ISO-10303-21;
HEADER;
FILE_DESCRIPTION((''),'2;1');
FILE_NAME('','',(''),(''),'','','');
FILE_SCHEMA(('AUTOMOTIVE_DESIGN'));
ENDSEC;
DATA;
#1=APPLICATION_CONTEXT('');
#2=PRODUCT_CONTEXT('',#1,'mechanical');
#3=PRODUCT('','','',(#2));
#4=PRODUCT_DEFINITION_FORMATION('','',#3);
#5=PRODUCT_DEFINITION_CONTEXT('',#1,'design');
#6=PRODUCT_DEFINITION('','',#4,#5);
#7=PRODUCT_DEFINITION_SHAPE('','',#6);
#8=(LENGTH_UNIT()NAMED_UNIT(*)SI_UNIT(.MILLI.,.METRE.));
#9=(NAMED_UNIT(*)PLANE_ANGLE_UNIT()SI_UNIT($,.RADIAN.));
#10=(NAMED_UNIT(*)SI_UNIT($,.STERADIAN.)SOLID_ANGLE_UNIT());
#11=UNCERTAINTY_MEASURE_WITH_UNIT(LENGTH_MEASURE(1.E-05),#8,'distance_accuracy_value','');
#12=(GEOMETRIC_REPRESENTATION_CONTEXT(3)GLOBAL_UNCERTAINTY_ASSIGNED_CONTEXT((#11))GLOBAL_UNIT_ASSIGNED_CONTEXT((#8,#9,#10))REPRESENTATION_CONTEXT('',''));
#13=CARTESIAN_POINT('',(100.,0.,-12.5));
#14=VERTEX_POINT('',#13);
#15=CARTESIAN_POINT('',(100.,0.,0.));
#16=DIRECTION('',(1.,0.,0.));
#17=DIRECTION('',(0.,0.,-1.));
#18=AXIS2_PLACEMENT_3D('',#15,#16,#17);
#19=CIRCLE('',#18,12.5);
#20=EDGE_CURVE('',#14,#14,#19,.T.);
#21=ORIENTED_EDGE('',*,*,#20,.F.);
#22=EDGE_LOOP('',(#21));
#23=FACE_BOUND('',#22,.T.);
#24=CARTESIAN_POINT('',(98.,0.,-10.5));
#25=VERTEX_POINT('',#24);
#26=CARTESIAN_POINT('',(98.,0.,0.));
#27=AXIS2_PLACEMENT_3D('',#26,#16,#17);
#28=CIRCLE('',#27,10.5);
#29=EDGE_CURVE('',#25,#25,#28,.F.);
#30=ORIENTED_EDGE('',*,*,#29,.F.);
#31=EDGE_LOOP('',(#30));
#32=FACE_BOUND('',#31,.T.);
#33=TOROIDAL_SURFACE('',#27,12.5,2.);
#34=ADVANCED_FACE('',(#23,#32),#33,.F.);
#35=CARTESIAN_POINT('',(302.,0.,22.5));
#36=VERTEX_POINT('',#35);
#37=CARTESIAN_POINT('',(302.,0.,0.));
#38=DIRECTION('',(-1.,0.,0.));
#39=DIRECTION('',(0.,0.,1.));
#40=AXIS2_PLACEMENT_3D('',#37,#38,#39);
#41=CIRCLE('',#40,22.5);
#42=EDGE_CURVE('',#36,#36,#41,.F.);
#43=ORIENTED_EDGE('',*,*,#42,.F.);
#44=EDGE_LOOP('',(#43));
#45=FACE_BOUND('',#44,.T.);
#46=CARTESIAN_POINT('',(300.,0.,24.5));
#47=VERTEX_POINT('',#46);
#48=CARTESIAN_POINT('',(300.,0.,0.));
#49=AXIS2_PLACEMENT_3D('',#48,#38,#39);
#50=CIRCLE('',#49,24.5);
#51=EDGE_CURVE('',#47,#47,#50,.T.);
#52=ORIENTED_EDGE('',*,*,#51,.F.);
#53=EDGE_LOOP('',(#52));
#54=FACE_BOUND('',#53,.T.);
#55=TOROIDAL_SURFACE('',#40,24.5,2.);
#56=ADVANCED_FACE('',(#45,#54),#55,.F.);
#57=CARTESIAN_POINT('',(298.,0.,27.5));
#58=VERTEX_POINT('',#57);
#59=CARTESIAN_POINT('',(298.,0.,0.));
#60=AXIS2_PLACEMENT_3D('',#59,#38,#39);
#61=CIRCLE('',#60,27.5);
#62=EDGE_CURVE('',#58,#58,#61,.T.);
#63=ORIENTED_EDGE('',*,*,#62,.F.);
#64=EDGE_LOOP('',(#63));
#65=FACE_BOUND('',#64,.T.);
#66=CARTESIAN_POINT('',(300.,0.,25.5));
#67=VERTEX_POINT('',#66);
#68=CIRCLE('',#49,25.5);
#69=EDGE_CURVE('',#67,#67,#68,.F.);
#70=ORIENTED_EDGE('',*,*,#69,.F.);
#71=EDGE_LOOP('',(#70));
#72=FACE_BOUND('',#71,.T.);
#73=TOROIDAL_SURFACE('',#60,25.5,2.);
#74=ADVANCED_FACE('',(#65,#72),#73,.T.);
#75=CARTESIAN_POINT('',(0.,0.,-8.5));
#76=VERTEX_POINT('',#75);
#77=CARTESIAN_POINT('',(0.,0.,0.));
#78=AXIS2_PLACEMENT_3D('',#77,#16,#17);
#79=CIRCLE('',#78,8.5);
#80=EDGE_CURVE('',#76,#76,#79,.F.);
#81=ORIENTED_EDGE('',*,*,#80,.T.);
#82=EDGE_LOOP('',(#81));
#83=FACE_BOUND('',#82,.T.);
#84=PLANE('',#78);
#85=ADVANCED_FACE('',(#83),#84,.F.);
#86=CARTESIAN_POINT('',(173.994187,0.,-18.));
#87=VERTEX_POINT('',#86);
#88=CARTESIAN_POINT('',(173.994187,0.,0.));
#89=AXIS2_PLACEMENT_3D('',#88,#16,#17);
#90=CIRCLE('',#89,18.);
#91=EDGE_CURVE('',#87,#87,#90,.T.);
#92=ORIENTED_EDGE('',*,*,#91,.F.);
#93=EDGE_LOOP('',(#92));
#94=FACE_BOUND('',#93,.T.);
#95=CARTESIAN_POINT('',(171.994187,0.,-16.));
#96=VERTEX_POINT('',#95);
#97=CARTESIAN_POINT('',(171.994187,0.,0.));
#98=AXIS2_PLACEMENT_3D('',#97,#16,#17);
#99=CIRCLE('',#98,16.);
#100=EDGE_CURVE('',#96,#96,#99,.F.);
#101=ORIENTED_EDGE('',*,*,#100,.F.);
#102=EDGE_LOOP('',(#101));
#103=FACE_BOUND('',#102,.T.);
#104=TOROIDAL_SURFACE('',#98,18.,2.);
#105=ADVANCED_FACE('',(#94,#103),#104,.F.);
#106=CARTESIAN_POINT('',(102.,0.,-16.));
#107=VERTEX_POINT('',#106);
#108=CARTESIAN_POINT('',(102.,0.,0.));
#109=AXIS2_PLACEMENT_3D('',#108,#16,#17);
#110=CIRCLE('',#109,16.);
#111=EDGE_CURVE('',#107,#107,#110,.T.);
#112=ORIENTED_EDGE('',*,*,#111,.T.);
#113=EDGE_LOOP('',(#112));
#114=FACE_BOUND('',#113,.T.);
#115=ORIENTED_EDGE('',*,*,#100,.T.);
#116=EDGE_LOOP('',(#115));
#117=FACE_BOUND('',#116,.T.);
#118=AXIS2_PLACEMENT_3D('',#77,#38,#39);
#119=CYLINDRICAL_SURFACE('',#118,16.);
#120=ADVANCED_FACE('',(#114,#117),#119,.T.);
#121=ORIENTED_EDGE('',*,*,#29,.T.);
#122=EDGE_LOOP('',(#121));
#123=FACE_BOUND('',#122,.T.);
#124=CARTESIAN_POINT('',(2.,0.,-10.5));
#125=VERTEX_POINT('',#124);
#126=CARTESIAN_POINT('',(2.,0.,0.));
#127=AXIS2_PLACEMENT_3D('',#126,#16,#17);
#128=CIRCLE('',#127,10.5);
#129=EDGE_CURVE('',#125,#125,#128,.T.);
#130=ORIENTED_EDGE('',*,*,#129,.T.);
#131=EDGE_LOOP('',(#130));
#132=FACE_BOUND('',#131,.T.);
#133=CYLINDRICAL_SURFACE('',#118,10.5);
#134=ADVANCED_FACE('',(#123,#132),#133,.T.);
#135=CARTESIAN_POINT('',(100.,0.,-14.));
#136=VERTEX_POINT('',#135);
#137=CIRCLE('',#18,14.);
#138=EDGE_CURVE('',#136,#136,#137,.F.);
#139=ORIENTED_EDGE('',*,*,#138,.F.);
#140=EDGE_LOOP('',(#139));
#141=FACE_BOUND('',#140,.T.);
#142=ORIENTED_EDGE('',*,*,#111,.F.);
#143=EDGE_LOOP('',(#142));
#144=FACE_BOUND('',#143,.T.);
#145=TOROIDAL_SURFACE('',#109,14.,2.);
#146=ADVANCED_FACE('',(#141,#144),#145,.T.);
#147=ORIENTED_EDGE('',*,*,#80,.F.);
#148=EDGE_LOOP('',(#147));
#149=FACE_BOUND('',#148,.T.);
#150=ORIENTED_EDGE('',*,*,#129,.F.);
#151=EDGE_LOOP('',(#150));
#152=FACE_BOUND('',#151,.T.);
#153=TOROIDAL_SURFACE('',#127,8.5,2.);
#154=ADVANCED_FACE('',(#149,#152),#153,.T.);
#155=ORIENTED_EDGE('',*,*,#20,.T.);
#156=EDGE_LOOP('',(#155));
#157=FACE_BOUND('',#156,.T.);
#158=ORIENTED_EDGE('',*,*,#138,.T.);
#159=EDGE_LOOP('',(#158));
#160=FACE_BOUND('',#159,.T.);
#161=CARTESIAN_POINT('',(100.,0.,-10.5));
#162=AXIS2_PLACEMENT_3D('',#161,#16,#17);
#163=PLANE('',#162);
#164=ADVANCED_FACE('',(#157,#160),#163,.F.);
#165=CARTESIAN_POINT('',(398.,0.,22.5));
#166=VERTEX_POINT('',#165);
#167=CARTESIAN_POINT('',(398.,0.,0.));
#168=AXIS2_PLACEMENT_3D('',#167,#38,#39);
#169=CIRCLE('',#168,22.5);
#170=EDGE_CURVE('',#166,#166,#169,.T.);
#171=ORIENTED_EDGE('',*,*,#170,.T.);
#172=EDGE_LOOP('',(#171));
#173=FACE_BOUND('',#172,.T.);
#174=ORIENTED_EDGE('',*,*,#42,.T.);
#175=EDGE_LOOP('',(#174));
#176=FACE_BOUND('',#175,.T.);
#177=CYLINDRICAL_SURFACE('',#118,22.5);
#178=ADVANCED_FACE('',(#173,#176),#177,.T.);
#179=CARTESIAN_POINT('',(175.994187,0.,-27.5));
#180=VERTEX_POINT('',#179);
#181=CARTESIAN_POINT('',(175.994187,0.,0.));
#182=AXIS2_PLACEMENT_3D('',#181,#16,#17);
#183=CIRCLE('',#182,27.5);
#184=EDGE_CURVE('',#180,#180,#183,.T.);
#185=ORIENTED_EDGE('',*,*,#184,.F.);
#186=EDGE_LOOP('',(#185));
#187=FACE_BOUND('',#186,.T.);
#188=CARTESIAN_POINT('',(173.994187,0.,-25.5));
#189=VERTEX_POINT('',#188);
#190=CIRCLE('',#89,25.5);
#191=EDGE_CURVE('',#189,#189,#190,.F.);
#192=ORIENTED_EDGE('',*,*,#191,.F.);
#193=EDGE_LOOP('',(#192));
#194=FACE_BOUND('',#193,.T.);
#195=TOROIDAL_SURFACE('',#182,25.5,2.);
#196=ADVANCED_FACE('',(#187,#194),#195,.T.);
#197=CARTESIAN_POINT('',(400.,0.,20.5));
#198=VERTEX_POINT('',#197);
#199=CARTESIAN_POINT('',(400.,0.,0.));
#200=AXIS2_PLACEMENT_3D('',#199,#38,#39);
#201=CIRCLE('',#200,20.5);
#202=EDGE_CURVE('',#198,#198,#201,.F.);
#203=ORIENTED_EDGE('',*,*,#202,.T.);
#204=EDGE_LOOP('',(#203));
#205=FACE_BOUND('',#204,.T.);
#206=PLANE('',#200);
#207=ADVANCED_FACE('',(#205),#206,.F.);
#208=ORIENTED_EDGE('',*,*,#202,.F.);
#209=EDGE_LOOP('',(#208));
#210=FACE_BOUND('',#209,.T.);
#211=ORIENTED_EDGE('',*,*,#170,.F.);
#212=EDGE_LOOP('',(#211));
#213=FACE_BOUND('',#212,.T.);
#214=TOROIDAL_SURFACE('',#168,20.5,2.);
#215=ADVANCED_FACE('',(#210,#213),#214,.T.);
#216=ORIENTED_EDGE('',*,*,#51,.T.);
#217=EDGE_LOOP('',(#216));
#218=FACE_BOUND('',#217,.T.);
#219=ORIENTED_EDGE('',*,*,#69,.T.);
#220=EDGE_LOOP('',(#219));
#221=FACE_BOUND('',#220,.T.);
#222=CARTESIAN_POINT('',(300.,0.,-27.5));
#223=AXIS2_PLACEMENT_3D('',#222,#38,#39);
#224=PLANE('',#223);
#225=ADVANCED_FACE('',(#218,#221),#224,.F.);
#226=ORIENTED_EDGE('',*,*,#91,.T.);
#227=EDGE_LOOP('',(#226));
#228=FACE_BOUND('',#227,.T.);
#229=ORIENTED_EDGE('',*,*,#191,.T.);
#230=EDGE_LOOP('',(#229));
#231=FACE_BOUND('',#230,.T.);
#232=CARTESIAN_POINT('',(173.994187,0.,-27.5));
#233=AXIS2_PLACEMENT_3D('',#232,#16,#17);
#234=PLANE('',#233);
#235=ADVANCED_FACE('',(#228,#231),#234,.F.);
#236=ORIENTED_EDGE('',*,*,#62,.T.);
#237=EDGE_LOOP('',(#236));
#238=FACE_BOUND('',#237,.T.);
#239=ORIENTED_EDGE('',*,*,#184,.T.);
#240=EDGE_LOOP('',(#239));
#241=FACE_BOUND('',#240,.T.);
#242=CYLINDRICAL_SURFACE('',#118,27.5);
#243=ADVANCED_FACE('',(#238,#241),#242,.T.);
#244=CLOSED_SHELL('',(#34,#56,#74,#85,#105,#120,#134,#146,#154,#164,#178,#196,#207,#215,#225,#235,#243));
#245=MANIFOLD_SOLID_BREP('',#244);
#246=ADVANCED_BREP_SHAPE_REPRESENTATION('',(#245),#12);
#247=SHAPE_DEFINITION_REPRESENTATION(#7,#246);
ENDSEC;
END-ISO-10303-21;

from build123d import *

# Parameters (mm, degrees)
FILLET4_R = 2
FILLET5_R = 2


with BuildPart() as part:
    # Sketch1 → Revolve1 (revolve)
    with BuildSketch(Plane(origin=(0, 0, 0), x_dir=(1, 0, 0), z_dir=(0, 1, 0))):
        Polygon((0, 0), (0, 10.5), (100, 10.5), (100, 16), (173.994186745, 16), (173.994186745, 27.5), (200, 27.5), (300, 27.5), (300, 22.5), (400, 22.5), (400, 0), align=None)
    revolve(axis=Axis((0, 0, 0), (1, 0, 0)))

    # Fillet4
    fillet4_edges = [part.edges().sort_by_distance(p)[0] for p in [
        (0, 0, 10.5),
    ]]
    fillet(fillet4_edges, radius=FILLET4_R)

    # Fillet5
    fillet5_edges = [part.edges().sort_by_distance(p)[0] for p in [
        (100, 0, 16),
        (173.994186745, 0, 16),
        (173.994186745, 0, 27.5),
        (300, 0, 27.5),
        (300, 0, 22.5),
        (400, 0, 22.5),
        (100, 0, 10.5),
    ]]
    fillet(fillet5_edges, radius=FILLET5_R)


solid = part.part
